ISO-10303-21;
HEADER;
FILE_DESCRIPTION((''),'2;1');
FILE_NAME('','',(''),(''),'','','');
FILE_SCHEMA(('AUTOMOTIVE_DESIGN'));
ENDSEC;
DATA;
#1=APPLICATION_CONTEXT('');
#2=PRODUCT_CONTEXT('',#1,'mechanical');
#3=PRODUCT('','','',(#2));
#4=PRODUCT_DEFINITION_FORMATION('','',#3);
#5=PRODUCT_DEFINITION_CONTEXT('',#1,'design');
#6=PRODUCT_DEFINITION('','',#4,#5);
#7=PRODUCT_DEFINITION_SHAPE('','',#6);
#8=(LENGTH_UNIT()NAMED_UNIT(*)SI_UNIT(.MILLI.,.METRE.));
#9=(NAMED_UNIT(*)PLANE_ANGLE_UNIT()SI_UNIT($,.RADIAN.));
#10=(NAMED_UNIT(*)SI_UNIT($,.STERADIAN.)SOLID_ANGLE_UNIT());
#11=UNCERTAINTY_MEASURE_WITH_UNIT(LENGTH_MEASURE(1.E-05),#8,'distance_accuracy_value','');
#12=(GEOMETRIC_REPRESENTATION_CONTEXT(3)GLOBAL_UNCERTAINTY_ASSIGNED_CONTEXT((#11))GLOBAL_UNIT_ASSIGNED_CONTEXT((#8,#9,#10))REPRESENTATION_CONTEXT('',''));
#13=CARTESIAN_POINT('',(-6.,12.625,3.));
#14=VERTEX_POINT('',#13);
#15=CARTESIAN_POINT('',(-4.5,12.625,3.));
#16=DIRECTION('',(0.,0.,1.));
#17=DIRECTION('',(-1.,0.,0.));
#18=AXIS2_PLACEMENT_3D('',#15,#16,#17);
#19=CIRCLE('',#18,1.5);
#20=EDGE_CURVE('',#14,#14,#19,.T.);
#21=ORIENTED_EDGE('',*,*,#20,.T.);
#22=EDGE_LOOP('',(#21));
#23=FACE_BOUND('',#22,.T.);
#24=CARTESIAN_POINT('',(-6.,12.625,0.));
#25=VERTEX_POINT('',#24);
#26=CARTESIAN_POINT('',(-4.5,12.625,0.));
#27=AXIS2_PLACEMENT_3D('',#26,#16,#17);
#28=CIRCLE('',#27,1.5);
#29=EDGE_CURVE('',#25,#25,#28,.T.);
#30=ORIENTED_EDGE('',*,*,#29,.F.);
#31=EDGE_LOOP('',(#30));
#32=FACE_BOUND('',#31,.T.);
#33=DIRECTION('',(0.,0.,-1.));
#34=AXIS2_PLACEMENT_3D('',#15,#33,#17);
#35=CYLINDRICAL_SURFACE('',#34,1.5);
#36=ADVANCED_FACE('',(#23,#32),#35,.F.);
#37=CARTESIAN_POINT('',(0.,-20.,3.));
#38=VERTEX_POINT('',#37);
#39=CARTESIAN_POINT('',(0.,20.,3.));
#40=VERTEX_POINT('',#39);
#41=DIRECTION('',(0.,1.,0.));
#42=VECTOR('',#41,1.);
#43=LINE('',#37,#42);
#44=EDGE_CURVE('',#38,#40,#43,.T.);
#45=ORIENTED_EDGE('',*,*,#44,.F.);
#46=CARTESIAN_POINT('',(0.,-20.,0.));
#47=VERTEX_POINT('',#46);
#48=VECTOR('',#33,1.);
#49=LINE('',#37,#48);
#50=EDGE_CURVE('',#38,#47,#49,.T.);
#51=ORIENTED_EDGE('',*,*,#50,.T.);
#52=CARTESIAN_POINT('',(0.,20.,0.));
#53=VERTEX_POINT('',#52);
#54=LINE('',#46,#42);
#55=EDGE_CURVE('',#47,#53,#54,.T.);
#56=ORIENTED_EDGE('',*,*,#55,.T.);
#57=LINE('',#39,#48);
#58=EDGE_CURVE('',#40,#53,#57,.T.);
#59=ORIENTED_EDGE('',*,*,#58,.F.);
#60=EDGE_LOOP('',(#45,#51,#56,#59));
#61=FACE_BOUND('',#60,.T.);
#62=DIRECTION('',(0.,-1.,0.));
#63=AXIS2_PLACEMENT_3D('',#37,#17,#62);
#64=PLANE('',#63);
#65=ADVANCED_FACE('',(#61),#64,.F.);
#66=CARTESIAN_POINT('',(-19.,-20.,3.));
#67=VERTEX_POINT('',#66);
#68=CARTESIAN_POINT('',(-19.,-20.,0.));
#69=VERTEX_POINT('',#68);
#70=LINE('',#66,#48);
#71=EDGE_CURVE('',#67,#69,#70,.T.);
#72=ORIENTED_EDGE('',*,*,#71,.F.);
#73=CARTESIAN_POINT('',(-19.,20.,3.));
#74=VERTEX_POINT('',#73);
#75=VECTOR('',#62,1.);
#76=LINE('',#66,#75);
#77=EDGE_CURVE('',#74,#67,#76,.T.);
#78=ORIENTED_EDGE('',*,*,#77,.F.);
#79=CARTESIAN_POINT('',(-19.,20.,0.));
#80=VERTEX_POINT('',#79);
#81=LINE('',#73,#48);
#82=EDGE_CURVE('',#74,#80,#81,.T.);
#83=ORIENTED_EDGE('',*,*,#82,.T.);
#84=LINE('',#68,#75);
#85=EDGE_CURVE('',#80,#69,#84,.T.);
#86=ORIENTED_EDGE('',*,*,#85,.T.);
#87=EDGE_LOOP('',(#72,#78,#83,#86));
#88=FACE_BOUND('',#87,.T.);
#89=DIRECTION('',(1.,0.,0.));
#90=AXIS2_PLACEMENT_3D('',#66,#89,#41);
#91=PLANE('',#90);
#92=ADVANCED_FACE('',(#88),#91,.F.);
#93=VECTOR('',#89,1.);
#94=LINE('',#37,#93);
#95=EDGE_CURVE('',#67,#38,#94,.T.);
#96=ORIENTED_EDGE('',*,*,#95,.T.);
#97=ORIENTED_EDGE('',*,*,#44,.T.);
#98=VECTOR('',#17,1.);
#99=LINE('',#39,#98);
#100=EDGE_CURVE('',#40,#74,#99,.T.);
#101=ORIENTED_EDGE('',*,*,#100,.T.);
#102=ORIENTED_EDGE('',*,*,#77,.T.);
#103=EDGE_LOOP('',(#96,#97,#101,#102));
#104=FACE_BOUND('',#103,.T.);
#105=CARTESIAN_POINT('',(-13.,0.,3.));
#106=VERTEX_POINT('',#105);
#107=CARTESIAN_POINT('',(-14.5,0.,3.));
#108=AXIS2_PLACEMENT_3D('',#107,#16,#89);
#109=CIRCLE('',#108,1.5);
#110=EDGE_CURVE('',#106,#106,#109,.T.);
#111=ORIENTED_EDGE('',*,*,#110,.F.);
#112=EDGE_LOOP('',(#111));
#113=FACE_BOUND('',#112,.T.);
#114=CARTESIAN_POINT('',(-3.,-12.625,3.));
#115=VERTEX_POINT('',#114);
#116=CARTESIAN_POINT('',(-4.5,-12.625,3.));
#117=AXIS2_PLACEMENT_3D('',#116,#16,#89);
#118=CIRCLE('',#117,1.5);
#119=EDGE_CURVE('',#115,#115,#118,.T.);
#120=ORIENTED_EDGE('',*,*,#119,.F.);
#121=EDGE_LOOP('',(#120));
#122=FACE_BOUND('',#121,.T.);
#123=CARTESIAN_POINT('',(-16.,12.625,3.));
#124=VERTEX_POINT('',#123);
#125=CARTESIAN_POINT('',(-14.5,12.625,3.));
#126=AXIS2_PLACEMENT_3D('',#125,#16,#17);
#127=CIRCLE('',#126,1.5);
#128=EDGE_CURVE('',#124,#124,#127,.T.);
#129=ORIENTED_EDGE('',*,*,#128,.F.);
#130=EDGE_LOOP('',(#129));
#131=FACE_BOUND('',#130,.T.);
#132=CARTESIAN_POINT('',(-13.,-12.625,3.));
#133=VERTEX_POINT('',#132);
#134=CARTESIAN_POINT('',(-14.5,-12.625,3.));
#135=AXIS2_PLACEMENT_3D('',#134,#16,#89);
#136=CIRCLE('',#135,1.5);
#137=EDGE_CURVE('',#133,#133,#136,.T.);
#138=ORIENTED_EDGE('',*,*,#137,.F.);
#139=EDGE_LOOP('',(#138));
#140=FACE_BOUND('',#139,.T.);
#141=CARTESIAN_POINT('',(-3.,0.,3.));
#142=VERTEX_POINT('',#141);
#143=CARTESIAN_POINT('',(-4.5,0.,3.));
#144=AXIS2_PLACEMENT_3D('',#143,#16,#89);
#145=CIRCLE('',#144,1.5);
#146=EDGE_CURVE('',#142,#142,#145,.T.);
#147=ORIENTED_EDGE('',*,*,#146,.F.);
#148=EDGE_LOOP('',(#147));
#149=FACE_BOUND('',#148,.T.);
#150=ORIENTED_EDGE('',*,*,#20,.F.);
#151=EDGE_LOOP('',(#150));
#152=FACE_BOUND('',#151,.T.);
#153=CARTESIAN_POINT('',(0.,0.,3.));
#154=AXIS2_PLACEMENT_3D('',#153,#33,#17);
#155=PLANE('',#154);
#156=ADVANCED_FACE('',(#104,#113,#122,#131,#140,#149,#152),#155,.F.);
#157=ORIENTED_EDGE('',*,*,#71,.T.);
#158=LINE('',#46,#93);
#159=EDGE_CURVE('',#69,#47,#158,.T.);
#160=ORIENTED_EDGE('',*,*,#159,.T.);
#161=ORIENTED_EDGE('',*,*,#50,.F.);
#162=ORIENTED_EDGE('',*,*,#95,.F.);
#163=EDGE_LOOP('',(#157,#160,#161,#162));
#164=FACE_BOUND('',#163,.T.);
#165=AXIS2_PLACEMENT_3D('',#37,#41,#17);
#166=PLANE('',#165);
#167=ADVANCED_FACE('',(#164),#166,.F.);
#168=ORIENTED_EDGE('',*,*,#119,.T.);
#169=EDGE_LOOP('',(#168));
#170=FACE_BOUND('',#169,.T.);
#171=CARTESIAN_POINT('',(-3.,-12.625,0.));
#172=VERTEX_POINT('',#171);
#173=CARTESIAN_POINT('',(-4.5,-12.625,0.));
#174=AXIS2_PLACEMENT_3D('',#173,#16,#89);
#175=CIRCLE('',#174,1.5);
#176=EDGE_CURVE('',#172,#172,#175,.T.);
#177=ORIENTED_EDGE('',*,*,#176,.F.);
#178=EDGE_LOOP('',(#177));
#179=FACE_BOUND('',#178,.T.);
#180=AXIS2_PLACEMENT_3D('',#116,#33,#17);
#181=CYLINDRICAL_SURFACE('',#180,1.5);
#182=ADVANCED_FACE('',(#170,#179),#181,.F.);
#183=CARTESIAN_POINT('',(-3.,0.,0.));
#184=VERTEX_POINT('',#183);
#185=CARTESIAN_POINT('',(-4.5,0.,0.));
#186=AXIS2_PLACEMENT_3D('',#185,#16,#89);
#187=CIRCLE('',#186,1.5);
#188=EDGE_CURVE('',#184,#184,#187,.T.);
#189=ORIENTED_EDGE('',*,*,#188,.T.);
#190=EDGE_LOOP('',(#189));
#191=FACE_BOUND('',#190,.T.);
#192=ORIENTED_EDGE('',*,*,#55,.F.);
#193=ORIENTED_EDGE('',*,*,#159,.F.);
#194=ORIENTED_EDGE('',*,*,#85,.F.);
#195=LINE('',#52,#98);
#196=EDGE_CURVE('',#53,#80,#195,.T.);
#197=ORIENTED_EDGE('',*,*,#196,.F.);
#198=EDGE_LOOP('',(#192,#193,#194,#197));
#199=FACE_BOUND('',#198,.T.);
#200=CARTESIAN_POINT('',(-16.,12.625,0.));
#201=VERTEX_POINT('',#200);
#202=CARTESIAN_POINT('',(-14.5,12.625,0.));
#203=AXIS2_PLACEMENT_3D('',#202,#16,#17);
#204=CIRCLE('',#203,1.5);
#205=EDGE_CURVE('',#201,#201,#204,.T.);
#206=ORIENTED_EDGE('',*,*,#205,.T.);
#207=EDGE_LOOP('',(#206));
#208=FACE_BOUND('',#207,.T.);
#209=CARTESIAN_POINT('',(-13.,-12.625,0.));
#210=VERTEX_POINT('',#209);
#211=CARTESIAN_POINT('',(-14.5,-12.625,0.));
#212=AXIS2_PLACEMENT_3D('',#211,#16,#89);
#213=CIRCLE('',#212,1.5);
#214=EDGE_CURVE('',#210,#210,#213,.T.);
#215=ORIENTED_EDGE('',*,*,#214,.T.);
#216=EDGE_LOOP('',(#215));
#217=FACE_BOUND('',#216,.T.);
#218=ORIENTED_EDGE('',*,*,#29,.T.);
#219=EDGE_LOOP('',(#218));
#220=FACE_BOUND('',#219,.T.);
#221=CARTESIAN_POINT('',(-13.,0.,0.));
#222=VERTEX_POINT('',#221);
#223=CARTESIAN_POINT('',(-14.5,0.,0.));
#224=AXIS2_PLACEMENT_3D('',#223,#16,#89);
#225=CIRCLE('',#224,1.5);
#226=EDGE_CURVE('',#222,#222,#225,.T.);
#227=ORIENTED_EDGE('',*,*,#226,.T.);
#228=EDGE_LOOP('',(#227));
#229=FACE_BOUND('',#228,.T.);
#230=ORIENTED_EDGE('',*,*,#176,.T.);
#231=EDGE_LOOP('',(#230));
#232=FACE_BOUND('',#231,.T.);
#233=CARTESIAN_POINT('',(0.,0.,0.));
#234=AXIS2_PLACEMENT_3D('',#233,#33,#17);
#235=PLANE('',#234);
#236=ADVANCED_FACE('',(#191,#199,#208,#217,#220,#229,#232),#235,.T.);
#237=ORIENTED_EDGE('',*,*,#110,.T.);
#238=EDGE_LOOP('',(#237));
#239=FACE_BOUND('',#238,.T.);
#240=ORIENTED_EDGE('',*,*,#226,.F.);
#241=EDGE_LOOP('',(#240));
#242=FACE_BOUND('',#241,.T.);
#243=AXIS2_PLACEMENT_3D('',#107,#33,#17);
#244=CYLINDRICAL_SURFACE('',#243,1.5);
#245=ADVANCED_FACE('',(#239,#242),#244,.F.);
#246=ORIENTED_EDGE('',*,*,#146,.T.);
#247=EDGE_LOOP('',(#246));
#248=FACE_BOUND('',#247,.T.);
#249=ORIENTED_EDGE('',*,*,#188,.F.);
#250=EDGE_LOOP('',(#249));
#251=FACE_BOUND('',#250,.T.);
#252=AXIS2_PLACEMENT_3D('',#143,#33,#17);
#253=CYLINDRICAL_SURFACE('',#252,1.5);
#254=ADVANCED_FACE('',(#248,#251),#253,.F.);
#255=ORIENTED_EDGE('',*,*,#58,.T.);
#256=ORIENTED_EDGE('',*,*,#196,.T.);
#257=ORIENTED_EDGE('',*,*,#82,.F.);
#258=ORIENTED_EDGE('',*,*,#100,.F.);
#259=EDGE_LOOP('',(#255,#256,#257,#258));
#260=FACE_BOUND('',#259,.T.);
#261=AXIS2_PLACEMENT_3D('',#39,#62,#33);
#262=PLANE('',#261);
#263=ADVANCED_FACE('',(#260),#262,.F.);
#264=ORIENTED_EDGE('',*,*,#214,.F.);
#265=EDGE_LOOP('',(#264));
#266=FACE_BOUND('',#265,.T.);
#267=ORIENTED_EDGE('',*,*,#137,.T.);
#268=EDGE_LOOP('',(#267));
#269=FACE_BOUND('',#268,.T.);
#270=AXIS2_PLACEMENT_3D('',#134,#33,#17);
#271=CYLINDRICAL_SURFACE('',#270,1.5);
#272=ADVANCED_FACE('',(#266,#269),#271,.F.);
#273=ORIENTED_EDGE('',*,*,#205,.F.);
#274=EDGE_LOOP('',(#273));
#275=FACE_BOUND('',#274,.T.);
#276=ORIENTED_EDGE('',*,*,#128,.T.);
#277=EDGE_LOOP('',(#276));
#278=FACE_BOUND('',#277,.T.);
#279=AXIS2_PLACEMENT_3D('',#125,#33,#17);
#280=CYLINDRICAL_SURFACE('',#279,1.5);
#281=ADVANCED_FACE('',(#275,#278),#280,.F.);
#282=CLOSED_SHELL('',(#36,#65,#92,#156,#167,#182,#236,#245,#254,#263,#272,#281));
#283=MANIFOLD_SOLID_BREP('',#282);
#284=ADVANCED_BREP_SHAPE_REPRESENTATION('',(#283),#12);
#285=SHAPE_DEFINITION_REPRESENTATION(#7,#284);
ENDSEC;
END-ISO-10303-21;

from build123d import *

# Parameters (mm, degrees)
SKETCH12_W          = 19
SKETCH12_H          = 40
SKETCH12_R          = 1.5
BOSS_EXTRUDE6_DEPTH = 3


with BuildPart() as part:
    # Sketch12 → Boss-Extrude6 (new body)
    with BuildSketch(Plane.XY):
        with Locations((-9.5, 0)):
            Rectangle(SKETCH12_W, SKETCH12_H)
        with Locations((-4.5, 0)):
            Circle(SKETCH12_R, mode=Mode.SUBTRACT)
        with Locations((-4.5, -12.625)):
            Circle(SKETCH12_R, mode=Mode.SUBTRACT)
        with Locations((-14.5, -12.625)):
            Circle(SKETCH12_R, mode=Mode.SUBTRACT)
        with Locations((-4.5, 12.625)):
            Circle(SKETCH12_R, mode=Mode.SUBTRACT)
        with Locations((-14.5, 12.625)):
            Circle(SKETCH12_R, mode=Mode.SUBTRACT)
        with Locations((-14.5, 0)):
            Circle(SKETCH12_R, mode=Mode.SUBTRACT)
    extrude(amount=BOSS_EXTRUDE6_DEPTH)


solid = part.part
